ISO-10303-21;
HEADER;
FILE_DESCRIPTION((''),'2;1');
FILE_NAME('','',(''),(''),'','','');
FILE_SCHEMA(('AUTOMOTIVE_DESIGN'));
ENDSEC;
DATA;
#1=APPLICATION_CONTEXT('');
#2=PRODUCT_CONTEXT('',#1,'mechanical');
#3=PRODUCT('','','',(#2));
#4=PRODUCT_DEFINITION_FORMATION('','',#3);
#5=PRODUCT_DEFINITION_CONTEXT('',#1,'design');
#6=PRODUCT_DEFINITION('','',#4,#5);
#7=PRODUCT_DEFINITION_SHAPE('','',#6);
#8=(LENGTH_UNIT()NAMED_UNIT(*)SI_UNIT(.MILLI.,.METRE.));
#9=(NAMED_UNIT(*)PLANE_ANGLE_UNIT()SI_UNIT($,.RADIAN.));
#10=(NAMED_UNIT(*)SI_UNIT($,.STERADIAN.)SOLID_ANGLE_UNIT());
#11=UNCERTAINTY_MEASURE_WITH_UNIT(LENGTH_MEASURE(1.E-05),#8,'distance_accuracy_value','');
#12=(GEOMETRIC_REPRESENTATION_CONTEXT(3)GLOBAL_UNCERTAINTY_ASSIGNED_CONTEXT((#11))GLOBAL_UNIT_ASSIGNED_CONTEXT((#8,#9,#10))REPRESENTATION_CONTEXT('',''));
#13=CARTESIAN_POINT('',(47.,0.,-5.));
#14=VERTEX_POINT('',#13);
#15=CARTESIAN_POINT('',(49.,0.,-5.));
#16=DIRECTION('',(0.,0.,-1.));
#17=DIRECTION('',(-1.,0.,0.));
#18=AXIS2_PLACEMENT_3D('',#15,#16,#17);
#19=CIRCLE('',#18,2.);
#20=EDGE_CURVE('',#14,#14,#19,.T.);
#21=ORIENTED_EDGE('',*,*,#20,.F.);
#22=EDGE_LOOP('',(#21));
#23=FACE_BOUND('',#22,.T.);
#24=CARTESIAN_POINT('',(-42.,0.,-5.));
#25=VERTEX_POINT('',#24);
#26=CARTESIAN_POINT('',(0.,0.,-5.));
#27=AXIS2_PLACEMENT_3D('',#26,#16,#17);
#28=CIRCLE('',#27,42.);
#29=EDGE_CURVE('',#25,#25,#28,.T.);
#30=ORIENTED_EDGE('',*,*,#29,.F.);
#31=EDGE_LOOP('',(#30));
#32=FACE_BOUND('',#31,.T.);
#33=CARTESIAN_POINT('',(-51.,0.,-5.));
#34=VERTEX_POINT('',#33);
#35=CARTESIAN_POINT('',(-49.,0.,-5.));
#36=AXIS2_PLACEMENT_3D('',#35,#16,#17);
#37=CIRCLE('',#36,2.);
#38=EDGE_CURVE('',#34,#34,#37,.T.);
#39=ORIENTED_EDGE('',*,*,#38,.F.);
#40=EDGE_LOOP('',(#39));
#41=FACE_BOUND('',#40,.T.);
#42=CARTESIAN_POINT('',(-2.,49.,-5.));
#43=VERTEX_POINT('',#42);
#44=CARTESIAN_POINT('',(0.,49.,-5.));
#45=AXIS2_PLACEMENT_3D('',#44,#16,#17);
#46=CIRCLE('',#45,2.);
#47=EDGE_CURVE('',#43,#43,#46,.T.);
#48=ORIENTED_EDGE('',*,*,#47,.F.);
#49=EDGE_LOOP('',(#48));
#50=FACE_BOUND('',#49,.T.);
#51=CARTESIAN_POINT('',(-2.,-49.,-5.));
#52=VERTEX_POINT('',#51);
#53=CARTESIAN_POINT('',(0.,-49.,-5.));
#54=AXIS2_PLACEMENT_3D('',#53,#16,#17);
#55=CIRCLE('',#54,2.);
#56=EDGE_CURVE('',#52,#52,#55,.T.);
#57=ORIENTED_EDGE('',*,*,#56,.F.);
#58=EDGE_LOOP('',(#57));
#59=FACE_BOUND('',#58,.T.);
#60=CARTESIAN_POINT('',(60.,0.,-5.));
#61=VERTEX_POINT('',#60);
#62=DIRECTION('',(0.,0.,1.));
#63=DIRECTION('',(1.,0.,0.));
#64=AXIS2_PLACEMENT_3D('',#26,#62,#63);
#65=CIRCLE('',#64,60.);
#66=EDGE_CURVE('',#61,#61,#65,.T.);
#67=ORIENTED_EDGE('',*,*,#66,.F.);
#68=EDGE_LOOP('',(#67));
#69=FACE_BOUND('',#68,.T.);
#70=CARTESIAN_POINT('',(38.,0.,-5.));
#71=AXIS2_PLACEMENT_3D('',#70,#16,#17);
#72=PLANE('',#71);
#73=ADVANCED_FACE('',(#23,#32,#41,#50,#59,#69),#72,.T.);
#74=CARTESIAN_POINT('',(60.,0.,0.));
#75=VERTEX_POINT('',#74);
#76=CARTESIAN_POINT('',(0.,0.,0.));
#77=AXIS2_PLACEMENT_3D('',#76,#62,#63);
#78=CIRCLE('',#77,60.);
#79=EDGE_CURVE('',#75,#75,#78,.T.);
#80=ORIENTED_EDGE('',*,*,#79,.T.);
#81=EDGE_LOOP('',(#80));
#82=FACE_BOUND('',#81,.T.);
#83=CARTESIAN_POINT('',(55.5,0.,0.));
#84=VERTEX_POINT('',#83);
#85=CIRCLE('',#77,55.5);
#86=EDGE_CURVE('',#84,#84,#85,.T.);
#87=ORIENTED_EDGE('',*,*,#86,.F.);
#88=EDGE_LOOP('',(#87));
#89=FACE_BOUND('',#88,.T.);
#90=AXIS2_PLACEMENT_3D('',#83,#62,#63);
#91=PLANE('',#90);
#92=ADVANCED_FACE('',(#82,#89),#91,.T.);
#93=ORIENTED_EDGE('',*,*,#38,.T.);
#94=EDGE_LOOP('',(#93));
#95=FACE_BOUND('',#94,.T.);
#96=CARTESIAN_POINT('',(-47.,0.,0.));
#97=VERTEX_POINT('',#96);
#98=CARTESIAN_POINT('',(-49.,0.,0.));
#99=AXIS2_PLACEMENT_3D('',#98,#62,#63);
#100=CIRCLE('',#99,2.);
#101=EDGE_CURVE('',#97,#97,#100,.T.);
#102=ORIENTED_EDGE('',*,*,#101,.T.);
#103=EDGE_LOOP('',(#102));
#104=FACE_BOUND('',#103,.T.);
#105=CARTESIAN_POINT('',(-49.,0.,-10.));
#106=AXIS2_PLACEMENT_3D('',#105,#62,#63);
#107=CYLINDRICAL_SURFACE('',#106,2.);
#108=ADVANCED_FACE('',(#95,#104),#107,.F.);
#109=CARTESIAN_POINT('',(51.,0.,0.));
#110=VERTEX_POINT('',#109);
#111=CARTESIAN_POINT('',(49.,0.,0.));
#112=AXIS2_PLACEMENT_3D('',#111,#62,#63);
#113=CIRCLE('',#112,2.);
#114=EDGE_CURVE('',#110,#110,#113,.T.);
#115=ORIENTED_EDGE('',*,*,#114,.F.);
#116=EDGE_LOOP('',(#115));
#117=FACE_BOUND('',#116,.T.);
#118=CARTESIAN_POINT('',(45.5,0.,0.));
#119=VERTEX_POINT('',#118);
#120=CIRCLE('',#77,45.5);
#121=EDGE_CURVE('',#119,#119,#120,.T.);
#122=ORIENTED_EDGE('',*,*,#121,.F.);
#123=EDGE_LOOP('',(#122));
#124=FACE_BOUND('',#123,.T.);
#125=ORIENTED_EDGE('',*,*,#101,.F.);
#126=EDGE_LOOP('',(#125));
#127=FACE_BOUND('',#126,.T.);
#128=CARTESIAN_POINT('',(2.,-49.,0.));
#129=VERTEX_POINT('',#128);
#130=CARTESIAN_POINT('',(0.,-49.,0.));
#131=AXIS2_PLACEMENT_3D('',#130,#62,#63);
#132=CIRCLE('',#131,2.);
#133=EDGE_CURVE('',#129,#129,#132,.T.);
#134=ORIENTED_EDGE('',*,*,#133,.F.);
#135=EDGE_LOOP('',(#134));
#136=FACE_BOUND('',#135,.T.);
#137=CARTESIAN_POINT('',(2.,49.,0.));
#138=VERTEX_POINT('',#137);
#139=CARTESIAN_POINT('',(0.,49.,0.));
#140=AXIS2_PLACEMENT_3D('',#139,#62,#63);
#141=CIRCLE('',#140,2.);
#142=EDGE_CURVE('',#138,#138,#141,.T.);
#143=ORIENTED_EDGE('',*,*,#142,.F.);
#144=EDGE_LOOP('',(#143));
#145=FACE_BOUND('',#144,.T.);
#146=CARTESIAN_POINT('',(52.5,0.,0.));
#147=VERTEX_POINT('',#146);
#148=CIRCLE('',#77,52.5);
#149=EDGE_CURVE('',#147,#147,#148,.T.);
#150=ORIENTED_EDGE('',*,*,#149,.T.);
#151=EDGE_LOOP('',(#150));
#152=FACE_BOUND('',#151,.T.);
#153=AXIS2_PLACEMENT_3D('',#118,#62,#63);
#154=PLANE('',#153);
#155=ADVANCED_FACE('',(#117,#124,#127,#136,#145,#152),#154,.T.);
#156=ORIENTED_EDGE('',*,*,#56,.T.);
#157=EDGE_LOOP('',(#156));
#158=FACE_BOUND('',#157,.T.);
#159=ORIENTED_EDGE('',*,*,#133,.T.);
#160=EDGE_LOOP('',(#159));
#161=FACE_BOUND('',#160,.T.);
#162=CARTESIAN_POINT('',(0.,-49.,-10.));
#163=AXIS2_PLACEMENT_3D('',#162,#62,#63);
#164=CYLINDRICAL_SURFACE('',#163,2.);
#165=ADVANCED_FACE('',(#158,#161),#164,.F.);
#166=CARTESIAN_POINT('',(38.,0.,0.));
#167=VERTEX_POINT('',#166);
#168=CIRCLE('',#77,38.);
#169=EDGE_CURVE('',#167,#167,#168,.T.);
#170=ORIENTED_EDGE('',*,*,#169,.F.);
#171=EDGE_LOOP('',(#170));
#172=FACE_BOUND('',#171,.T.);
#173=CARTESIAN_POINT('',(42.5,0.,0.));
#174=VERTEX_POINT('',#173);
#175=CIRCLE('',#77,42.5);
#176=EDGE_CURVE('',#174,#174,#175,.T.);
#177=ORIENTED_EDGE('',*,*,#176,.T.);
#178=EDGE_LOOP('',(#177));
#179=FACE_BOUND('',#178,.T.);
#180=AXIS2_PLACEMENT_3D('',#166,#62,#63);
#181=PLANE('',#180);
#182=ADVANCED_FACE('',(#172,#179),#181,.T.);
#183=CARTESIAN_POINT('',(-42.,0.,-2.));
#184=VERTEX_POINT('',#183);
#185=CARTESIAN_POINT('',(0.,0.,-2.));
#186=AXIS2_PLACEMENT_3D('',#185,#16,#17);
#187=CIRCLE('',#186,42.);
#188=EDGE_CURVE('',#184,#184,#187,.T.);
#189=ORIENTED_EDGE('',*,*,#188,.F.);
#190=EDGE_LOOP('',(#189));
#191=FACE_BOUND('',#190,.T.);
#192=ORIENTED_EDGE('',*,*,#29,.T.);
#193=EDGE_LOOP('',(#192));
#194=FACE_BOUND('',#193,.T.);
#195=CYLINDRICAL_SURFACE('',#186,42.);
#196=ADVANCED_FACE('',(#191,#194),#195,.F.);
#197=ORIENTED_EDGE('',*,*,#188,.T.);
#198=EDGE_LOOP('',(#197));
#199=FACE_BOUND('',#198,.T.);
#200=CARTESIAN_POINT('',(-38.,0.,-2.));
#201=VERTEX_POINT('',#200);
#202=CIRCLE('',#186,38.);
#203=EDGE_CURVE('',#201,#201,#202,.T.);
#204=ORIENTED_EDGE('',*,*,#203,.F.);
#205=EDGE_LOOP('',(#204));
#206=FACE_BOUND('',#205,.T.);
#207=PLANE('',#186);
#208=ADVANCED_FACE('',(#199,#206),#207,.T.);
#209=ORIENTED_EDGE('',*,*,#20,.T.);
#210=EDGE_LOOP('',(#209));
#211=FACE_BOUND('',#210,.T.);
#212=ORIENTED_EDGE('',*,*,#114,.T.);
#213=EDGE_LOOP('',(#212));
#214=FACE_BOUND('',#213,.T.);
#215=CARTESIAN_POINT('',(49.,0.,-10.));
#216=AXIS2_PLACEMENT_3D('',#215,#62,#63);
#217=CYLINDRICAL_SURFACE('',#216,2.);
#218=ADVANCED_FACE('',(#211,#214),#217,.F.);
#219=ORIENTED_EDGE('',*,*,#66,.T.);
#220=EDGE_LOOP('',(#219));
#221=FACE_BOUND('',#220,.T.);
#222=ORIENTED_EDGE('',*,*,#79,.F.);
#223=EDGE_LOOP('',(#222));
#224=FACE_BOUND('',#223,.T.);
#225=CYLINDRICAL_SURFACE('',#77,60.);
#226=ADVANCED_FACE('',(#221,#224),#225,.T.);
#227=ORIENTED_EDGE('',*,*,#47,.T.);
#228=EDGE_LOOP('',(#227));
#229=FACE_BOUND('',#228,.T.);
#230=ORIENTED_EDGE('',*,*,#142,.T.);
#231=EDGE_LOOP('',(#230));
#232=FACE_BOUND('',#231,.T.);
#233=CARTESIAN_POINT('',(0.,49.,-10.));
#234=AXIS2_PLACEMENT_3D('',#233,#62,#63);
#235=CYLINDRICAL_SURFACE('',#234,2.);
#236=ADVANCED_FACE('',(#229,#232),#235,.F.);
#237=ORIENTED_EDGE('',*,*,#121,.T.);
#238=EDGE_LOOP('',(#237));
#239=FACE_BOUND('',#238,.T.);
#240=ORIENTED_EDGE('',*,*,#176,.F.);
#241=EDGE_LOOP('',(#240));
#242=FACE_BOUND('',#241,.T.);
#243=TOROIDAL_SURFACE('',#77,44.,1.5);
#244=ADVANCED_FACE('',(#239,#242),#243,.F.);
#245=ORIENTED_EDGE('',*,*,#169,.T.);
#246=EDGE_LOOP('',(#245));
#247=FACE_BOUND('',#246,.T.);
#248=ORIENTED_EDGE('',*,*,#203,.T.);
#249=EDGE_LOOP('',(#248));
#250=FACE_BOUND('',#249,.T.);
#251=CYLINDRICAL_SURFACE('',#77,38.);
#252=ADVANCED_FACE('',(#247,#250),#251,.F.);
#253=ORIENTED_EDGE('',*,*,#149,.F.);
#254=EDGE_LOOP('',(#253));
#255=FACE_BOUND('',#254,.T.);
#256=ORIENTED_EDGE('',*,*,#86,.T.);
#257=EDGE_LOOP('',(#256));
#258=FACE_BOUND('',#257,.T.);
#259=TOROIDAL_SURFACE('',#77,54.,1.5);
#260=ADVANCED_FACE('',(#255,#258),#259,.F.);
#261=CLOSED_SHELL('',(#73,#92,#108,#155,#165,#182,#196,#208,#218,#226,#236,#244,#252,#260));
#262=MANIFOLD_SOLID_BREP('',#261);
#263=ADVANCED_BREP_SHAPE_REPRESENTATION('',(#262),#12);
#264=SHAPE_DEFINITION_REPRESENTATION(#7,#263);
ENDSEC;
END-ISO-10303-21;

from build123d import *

# Parameters (mm, degrees)
SKETCH4_R          = 2
CUT_EXTRUDE1_DEPTH = 10
SKETCH5_R          = 42
CUT_EXTRUDE2_DEPTH = 3


with BuildPart() as part:
    # Sketch3 → Revolve1 (revolve)
    with BuildSketch(Plane(origin=(0, 0, 0), x_dir=(1, 0, 0), z_dir=(0, 1, 0))):
        with BuildLine():
            Line((60, 0), (60, 5))
            Line((60, 5), (38, 5))
            Line((38, 5), (38, 0))
            Line((38, 0), (42.5, 0))
            ThreePointArc((42.5, 0), (44, 1.5), (45.5, 0))
            Line((45.5, 0), (52.5, 0))
            ThreePointArc((52.5, 0), (54, 1.5), (55.5, 0))
            Line((55.5, 0), (60, 0))
        make_face()
    revolve(axis=Axis((0, 0, 0), (0, 0, -1)))

    # Sketch4 → Cut-Extrude1 (cut)
    with BuildSketch(Plane.XY):
        with Locations((49, 0)):
            Circle(SKETCH4_R)
        with Locations((-49, 0)):
            Circle(SKETCH4_R)
        with Locations((0, 49)):
            Circle(SKETCH4_R)
        with Locations((0, -49)):
            Circle(SKETCH4_R)
    extrude(amount=-CUT_EXTRUDE1_DEPTH, mode=Mode.SUBTRACT)

    # Sketch5 → Cut-Extrude2 (cut)
    with BuildSketch(Plane(origin=(0, 0, -5), x_dir=(-1, 0, 0), z_dir=(0, 0, -1))):
        Circle(SKETCH5_R)
    extrude(amount=-CUT_EXTRUDE2_DEPTH, mode=Mode.SUBTRACT)


solid = part.part
